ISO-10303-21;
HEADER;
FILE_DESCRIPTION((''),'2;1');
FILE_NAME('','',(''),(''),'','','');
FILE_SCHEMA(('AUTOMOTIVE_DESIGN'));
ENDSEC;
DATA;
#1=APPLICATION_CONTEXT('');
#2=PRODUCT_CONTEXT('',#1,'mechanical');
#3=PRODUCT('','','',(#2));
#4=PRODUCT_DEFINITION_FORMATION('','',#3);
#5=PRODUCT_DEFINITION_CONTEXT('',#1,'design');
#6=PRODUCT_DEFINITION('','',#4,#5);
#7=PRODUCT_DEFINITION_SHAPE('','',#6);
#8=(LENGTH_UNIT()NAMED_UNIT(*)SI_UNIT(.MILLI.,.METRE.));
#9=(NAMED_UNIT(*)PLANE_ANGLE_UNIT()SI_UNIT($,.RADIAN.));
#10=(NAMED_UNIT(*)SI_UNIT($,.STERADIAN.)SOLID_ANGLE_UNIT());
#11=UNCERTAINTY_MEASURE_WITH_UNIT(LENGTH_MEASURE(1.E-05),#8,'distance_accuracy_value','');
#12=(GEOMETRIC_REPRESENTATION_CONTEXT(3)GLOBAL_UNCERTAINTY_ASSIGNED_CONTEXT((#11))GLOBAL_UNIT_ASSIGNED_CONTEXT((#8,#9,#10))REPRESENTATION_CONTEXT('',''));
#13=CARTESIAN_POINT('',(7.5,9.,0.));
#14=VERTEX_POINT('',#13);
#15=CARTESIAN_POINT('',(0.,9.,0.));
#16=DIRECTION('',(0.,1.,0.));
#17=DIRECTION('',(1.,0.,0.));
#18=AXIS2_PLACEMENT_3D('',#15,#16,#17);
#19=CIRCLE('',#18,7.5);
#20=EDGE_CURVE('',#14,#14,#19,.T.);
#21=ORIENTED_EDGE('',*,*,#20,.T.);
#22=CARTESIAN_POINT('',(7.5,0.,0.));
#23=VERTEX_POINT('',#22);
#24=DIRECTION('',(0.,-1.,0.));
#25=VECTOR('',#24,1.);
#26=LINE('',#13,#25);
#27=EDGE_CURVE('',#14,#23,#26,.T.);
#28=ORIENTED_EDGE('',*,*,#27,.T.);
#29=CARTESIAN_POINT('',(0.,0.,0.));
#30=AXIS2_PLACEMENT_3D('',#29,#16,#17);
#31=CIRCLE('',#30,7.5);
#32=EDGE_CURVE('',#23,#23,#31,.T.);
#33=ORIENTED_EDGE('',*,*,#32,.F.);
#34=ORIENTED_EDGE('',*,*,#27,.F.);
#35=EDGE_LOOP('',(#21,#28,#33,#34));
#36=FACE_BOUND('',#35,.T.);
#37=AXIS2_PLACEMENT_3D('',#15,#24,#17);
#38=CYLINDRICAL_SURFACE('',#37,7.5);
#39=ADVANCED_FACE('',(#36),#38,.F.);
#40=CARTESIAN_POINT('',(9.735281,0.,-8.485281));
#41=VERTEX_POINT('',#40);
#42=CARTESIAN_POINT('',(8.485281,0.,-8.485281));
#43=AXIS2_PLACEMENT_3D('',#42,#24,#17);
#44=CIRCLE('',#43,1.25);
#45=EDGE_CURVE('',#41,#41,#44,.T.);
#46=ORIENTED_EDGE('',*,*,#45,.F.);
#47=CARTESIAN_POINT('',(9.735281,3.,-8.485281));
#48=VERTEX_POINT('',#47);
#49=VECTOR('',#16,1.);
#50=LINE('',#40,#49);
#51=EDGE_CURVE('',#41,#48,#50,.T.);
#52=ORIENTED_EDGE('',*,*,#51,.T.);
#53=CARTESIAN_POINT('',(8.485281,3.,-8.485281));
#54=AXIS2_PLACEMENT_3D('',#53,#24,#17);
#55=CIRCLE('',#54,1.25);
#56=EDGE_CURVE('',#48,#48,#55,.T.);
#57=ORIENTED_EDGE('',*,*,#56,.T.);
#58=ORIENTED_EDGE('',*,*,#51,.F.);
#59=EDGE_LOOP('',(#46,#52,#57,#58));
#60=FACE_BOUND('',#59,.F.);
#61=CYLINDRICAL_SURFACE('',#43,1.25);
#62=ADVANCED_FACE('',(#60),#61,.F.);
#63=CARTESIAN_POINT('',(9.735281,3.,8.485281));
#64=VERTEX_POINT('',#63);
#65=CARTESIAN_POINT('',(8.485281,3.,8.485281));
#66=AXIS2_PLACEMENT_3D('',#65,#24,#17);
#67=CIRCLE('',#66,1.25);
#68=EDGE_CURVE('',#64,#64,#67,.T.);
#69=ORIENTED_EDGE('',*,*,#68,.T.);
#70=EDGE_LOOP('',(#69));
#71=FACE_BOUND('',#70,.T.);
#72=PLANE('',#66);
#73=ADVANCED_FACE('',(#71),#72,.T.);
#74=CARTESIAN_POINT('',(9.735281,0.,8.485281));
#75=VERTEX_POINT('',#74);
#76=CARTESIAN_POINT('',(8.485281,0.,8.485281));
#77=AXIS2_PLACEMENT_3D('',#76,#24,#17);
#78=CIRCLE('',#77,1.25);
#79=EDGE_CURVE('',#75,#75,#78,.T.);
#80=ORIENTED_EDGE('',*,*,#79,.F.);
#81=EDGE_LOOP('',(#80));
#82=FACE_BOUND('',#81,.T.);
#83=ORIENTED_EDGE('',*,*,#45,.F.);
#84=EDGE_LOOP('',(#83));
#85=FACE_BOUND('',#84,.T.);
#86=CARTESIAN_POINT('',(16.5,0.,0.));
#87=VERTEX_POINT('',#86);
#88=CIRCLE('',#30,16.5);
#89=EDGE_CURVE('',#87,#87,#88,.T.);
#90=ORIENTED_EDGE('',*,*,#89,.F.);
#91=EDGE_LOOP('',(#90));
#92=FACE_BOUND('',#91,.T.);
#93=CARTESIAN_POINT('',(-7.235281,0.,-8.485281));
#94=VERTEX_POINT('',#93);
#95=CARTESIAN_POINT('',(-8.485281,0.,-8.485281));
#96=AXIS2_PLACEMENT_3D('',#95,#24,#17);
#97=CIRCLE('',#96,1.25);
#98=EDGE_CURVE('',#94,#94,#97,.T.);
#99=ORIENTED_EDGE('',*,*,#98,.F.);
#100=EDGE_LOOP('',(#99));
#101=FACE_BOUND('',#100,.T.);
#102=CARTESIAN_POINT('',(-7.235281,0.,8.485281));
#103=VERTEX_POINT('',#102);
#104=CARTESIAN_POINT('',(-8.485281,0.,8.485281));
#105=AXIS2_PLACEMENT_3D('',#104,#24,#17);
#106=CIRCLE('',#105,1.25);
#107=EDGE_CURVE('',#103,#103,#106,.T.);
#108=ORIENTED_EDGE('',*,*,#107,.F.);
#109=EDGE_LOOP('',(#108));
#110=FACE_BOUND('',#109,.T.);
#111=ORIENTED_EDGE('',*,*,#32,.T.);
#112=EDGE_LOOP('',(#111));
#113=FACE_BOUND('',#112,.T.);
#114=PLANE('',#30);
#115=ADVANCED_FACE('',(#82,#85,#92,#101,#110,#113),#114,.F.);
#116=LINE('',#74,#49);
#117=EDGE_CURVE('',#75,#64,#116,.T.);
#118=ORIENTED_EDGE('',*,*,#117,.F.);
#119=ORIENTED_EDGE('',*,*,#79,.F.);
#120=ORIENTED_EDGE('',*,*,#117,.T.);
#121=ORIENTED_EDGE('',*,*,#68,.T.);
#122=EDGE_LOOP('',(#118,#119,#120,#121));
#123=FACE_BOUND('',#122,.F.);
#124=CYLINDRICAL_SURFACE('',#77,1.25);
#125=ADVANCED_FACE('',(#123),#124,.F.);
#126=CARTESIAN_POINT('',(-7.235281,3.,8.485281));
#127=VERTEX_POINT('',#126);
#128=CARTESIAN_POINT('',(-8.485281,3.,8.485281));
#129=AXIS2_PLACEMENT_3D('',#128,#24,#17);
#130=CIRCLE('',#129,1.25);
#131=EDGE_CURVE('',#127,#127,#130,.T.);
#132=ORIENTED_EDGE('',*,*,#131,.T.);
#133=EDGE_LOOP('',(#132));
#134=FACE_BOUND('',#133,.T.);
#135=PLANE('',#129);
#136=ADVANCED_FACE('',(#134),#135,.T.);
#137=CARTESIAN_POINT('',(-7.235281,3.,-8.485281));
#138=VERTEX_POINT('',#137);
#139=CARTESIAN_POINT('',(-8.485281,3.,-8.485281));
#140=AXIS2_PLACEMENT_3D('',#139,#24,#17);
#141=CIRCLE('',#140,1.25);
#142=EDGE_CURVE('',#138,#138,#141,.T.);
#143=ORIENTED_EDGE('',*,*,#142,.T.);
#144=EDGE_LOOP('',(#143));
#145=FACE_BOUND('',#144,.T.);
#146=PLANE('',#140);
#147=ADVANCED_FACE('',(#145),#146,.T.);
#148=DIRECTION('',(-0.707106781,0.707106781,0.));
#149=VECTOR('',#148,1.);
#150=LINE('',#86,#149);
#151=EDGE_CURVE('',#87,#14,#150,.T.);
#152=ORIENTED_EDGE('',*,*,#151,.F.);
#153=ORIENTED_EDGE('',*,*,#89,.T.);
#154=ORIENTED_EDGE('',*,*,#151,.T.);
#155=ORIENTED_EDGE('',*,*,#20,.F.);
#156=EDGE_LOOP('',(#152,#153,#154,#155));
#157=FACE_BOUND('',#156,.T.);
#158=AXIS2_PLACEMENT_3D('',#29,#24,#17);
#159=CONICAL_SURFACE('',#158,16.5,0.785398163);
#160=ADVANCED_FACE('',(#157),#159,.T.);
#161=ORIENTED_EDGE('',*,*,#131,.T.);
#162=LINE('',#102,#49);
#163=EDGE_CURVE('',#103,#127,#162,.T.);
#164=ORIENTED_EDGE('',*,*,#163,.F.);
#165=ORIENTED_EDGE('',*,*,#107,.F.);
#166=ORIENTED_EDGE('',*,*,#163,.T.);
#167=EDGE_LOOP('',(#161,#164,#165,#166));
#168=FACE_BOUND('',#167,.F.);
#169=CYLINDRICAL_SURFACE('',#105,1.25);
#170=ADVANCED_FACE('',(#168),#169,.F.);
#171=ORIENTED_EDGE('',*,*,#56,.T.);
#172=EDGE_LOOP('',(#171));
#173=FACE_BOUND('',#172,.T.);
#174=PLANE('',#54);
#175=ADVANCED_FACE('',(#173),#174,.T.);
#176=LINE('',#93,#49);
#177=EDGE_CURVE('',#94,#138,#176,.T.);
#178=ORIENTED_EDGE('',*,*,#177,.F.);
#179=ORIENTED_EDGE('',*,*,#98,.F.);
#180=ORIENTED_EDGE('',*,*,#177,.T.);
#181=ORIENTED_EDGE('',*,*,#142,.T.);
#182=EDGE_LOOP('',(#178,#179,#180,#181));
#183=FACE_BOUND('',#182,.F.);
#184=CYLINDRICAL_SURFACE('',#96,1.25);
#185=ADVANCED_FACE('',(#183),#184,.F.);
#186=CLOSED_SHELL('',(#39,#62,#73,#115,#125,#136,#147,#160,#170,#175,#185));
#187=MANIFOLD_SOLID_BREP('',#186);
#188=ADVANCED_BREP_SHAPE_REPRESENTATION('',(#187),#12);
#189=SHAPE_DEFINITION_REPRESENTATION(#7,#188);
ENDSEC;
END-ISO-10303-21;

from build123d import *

# Parameters (mm, degrees)
SKETCH001_R  = 1.25
POCKET_DEPTH = 3


with BuildPart() as part:
    # Sketch → Revolution (revolve)
    with BuildSketch(Plane.XY):
        Polygon((7.5, 0), (16.5, 0), (7.5, 9), align=None)
    revolve(axis=Axis((0, 0, 0), (0, 1, 0)))

    # Sketch001 (on Face1 of Revolution) → Pocket (cut)
    with BuildSketch(Plane.XZ):
        with Locations((-8.485281, 8.485281)):
            Circle(SKETCH001_R)
        with Locations((8.485281, 8.485281)):
            Circle(SKETCH001_R)
        with Locations((8.485281, -8.485281)):
            Circle(SKETCH001_R)
        with Locations((-8.485281, -8.485281)):
            Circle(SKETCH001_R)
    extrude(amount=-POCKET_DEPTH, mode=Mode.SUBTRACT)


solid = part.part
